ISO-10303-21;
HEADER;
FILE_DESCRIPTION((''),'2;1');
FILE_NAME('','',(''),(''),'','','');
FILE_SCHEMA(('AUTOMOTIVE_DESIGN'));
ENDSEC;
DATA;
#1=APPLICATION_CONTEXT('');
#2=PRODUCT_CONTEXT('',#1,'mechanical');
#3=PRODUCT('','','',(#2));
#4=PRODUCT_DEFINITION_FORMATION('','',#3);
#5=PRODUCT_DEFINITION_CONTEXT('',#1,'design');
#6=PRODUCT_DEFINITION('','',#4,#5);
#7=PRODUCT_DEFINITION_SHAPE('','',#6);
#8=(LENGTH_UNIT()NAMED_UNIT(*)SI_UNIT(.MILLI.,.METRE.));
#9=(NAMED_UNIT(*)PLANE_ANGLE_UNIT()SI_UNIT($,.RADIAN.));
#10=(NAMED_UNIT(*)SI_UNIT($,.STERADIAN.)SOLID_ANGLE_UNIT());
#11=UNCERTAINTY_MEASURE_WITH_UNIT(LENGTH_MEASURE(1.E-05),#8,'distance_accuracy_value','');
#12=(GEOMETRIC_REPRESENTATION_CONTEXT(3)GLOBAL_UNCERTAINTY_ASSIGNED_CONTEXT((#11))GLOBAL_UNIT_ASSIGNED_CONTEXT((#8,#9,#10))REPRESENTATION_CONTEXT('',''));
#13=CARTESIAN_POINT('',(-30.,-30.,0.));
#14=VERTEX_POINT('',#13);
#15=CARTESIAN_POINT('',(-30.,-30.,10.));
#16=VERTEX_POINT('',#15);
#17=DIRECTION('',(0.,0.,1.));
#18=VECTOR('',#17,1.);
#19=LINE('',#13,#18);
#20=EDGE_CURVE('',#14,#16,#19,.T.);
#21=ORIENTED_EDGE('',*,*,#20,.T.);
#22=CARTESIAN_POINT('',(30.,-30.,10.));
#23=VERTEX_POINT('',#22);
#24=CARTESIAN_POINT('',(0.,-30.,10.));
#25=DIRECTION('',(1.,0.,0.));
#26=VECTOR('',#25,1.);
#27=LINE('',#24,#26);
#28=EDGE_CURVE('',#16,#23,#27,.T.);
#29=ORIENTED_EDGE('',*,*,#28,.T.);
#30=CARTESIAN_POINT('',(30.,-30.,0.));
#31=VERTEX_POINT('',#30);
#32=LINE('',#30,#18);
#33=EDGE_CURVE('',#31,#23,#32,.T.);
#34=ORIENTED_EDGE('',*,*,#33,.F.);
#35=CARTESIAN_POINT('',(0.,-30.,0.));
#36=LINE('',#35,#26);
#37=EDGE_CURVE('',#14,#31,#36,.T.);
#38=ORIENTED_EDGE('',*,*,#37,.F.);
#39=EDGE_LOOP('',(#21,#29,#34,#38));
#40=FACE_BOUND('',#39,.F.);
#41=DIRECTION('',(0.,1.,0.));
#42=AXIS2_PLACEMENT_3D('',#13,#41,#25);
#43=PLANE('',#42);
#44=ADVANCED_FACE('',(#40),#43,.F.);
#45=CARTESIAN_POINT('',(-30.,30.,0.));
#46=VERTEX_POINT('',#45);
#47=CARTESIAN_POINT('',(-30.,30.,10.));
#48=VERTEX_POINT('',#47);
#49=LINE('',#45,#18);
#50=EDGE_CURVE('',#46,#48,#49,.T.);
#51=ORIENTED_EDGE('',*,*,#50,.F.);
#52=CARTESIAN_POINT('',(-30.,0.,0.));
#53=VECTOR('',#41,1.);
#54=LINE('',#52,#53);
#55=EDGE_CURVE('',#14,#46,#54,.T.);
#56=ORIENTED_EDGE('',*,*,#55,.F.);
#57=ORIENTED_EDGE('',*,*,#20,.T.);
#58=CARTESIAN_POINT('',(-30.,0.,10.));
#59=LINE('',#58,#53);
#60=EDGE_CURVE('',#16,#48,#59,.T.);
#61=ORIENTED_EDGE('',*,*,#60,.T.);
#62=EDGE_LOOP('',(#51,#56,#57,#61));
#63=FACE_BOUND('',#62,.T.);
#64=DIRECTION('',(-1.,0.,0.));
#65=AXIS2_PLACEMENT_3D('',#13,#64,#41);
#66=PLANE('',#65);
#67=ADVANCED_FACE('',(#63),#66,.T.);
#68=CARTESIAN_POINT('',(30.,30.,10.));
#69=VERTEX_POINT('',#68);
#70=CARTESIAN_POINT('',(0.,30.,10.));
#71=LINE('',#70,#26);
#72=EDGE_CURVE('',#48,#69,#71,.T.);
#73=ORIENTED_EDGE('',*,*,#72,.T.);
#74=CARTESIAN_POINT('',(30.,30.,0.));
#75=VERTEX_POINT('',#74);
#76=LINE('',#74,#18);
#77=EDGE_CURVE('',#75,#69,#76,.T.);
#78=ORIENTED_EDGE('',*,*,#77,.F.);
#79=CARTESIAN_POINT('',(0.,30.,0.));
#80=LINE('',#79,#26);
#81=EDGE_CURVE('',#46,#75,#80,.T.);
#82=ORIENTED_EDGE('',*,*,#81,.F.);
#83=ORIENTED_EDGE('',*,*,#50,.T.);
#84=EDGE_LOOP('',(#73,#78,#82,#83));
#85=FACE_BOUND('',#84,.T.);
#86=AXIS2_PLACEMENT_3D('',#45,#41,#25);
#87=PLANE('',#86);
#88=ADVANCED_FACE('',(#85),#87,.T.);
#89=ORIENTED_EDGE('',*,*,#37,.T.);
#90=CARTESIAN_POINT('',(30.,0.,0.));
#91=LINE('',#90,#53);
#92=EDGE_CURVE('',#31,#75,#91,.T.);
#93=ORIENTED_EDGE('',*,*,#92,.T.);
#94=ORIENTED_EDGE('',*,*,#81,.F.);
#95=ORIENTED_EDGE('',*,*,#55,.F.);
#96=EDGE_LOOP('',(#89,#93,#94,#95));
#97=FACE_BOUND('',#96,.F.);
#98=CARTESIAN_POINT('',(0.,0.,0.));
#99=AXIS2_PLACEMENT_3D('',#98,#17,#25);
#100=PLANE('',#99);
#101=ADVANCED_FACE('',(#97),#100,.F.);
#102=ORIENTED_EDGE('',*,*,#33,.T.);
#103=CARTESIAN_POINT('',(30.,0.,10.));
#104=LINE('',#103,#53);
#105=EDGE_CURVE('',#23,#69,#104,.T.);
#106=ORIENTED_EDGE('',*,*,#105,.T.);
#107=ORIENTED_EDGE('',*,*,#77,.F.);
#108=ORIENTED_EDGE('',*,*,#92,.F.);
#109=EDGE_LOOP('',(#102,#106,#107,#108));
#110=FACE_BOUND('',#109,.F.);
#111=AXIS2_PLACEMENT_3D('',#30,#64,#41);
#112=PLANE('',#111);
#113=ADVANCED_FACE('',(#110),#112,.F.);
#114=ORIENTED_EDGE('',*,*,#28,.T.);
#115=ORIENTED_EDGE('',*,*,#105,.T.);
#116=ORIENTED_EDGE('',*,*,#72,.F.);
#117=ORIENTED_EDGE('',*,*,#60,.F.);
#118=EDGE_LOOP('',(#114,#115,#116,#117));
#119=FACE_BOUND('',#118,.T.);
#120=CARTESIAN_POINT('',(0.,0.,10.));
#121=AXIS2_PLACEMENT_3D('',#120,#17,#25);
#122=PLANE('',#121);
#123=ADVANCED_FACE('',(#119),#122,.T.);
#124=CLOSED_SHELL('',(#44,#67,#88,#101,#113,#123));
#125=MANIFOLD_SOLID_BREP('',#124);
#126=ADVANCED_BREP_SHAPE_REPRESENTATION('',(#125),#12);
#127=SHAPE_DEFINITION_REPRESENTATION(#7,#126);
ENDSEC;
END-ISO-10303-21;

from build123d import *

# Parameters (mm, degrees)
SCHIZZO1_W                   = 60
SCHIZZO1_H                   = 60
ESTRUSIONE_ESTRUSIONE1_DEPTH = 10


with BuildPart() as part:
    # Schizzo1 → Estrusione-Estrusione1 (new body)
    with BuildSketch(Plane.XY):
        Rectangle(SCHIZZO1_W, SCHIZZO1_H)
    extrude(amount=ESTRUSIONE_ESTRUSIONE1_DEPTH)


solid = part.part
